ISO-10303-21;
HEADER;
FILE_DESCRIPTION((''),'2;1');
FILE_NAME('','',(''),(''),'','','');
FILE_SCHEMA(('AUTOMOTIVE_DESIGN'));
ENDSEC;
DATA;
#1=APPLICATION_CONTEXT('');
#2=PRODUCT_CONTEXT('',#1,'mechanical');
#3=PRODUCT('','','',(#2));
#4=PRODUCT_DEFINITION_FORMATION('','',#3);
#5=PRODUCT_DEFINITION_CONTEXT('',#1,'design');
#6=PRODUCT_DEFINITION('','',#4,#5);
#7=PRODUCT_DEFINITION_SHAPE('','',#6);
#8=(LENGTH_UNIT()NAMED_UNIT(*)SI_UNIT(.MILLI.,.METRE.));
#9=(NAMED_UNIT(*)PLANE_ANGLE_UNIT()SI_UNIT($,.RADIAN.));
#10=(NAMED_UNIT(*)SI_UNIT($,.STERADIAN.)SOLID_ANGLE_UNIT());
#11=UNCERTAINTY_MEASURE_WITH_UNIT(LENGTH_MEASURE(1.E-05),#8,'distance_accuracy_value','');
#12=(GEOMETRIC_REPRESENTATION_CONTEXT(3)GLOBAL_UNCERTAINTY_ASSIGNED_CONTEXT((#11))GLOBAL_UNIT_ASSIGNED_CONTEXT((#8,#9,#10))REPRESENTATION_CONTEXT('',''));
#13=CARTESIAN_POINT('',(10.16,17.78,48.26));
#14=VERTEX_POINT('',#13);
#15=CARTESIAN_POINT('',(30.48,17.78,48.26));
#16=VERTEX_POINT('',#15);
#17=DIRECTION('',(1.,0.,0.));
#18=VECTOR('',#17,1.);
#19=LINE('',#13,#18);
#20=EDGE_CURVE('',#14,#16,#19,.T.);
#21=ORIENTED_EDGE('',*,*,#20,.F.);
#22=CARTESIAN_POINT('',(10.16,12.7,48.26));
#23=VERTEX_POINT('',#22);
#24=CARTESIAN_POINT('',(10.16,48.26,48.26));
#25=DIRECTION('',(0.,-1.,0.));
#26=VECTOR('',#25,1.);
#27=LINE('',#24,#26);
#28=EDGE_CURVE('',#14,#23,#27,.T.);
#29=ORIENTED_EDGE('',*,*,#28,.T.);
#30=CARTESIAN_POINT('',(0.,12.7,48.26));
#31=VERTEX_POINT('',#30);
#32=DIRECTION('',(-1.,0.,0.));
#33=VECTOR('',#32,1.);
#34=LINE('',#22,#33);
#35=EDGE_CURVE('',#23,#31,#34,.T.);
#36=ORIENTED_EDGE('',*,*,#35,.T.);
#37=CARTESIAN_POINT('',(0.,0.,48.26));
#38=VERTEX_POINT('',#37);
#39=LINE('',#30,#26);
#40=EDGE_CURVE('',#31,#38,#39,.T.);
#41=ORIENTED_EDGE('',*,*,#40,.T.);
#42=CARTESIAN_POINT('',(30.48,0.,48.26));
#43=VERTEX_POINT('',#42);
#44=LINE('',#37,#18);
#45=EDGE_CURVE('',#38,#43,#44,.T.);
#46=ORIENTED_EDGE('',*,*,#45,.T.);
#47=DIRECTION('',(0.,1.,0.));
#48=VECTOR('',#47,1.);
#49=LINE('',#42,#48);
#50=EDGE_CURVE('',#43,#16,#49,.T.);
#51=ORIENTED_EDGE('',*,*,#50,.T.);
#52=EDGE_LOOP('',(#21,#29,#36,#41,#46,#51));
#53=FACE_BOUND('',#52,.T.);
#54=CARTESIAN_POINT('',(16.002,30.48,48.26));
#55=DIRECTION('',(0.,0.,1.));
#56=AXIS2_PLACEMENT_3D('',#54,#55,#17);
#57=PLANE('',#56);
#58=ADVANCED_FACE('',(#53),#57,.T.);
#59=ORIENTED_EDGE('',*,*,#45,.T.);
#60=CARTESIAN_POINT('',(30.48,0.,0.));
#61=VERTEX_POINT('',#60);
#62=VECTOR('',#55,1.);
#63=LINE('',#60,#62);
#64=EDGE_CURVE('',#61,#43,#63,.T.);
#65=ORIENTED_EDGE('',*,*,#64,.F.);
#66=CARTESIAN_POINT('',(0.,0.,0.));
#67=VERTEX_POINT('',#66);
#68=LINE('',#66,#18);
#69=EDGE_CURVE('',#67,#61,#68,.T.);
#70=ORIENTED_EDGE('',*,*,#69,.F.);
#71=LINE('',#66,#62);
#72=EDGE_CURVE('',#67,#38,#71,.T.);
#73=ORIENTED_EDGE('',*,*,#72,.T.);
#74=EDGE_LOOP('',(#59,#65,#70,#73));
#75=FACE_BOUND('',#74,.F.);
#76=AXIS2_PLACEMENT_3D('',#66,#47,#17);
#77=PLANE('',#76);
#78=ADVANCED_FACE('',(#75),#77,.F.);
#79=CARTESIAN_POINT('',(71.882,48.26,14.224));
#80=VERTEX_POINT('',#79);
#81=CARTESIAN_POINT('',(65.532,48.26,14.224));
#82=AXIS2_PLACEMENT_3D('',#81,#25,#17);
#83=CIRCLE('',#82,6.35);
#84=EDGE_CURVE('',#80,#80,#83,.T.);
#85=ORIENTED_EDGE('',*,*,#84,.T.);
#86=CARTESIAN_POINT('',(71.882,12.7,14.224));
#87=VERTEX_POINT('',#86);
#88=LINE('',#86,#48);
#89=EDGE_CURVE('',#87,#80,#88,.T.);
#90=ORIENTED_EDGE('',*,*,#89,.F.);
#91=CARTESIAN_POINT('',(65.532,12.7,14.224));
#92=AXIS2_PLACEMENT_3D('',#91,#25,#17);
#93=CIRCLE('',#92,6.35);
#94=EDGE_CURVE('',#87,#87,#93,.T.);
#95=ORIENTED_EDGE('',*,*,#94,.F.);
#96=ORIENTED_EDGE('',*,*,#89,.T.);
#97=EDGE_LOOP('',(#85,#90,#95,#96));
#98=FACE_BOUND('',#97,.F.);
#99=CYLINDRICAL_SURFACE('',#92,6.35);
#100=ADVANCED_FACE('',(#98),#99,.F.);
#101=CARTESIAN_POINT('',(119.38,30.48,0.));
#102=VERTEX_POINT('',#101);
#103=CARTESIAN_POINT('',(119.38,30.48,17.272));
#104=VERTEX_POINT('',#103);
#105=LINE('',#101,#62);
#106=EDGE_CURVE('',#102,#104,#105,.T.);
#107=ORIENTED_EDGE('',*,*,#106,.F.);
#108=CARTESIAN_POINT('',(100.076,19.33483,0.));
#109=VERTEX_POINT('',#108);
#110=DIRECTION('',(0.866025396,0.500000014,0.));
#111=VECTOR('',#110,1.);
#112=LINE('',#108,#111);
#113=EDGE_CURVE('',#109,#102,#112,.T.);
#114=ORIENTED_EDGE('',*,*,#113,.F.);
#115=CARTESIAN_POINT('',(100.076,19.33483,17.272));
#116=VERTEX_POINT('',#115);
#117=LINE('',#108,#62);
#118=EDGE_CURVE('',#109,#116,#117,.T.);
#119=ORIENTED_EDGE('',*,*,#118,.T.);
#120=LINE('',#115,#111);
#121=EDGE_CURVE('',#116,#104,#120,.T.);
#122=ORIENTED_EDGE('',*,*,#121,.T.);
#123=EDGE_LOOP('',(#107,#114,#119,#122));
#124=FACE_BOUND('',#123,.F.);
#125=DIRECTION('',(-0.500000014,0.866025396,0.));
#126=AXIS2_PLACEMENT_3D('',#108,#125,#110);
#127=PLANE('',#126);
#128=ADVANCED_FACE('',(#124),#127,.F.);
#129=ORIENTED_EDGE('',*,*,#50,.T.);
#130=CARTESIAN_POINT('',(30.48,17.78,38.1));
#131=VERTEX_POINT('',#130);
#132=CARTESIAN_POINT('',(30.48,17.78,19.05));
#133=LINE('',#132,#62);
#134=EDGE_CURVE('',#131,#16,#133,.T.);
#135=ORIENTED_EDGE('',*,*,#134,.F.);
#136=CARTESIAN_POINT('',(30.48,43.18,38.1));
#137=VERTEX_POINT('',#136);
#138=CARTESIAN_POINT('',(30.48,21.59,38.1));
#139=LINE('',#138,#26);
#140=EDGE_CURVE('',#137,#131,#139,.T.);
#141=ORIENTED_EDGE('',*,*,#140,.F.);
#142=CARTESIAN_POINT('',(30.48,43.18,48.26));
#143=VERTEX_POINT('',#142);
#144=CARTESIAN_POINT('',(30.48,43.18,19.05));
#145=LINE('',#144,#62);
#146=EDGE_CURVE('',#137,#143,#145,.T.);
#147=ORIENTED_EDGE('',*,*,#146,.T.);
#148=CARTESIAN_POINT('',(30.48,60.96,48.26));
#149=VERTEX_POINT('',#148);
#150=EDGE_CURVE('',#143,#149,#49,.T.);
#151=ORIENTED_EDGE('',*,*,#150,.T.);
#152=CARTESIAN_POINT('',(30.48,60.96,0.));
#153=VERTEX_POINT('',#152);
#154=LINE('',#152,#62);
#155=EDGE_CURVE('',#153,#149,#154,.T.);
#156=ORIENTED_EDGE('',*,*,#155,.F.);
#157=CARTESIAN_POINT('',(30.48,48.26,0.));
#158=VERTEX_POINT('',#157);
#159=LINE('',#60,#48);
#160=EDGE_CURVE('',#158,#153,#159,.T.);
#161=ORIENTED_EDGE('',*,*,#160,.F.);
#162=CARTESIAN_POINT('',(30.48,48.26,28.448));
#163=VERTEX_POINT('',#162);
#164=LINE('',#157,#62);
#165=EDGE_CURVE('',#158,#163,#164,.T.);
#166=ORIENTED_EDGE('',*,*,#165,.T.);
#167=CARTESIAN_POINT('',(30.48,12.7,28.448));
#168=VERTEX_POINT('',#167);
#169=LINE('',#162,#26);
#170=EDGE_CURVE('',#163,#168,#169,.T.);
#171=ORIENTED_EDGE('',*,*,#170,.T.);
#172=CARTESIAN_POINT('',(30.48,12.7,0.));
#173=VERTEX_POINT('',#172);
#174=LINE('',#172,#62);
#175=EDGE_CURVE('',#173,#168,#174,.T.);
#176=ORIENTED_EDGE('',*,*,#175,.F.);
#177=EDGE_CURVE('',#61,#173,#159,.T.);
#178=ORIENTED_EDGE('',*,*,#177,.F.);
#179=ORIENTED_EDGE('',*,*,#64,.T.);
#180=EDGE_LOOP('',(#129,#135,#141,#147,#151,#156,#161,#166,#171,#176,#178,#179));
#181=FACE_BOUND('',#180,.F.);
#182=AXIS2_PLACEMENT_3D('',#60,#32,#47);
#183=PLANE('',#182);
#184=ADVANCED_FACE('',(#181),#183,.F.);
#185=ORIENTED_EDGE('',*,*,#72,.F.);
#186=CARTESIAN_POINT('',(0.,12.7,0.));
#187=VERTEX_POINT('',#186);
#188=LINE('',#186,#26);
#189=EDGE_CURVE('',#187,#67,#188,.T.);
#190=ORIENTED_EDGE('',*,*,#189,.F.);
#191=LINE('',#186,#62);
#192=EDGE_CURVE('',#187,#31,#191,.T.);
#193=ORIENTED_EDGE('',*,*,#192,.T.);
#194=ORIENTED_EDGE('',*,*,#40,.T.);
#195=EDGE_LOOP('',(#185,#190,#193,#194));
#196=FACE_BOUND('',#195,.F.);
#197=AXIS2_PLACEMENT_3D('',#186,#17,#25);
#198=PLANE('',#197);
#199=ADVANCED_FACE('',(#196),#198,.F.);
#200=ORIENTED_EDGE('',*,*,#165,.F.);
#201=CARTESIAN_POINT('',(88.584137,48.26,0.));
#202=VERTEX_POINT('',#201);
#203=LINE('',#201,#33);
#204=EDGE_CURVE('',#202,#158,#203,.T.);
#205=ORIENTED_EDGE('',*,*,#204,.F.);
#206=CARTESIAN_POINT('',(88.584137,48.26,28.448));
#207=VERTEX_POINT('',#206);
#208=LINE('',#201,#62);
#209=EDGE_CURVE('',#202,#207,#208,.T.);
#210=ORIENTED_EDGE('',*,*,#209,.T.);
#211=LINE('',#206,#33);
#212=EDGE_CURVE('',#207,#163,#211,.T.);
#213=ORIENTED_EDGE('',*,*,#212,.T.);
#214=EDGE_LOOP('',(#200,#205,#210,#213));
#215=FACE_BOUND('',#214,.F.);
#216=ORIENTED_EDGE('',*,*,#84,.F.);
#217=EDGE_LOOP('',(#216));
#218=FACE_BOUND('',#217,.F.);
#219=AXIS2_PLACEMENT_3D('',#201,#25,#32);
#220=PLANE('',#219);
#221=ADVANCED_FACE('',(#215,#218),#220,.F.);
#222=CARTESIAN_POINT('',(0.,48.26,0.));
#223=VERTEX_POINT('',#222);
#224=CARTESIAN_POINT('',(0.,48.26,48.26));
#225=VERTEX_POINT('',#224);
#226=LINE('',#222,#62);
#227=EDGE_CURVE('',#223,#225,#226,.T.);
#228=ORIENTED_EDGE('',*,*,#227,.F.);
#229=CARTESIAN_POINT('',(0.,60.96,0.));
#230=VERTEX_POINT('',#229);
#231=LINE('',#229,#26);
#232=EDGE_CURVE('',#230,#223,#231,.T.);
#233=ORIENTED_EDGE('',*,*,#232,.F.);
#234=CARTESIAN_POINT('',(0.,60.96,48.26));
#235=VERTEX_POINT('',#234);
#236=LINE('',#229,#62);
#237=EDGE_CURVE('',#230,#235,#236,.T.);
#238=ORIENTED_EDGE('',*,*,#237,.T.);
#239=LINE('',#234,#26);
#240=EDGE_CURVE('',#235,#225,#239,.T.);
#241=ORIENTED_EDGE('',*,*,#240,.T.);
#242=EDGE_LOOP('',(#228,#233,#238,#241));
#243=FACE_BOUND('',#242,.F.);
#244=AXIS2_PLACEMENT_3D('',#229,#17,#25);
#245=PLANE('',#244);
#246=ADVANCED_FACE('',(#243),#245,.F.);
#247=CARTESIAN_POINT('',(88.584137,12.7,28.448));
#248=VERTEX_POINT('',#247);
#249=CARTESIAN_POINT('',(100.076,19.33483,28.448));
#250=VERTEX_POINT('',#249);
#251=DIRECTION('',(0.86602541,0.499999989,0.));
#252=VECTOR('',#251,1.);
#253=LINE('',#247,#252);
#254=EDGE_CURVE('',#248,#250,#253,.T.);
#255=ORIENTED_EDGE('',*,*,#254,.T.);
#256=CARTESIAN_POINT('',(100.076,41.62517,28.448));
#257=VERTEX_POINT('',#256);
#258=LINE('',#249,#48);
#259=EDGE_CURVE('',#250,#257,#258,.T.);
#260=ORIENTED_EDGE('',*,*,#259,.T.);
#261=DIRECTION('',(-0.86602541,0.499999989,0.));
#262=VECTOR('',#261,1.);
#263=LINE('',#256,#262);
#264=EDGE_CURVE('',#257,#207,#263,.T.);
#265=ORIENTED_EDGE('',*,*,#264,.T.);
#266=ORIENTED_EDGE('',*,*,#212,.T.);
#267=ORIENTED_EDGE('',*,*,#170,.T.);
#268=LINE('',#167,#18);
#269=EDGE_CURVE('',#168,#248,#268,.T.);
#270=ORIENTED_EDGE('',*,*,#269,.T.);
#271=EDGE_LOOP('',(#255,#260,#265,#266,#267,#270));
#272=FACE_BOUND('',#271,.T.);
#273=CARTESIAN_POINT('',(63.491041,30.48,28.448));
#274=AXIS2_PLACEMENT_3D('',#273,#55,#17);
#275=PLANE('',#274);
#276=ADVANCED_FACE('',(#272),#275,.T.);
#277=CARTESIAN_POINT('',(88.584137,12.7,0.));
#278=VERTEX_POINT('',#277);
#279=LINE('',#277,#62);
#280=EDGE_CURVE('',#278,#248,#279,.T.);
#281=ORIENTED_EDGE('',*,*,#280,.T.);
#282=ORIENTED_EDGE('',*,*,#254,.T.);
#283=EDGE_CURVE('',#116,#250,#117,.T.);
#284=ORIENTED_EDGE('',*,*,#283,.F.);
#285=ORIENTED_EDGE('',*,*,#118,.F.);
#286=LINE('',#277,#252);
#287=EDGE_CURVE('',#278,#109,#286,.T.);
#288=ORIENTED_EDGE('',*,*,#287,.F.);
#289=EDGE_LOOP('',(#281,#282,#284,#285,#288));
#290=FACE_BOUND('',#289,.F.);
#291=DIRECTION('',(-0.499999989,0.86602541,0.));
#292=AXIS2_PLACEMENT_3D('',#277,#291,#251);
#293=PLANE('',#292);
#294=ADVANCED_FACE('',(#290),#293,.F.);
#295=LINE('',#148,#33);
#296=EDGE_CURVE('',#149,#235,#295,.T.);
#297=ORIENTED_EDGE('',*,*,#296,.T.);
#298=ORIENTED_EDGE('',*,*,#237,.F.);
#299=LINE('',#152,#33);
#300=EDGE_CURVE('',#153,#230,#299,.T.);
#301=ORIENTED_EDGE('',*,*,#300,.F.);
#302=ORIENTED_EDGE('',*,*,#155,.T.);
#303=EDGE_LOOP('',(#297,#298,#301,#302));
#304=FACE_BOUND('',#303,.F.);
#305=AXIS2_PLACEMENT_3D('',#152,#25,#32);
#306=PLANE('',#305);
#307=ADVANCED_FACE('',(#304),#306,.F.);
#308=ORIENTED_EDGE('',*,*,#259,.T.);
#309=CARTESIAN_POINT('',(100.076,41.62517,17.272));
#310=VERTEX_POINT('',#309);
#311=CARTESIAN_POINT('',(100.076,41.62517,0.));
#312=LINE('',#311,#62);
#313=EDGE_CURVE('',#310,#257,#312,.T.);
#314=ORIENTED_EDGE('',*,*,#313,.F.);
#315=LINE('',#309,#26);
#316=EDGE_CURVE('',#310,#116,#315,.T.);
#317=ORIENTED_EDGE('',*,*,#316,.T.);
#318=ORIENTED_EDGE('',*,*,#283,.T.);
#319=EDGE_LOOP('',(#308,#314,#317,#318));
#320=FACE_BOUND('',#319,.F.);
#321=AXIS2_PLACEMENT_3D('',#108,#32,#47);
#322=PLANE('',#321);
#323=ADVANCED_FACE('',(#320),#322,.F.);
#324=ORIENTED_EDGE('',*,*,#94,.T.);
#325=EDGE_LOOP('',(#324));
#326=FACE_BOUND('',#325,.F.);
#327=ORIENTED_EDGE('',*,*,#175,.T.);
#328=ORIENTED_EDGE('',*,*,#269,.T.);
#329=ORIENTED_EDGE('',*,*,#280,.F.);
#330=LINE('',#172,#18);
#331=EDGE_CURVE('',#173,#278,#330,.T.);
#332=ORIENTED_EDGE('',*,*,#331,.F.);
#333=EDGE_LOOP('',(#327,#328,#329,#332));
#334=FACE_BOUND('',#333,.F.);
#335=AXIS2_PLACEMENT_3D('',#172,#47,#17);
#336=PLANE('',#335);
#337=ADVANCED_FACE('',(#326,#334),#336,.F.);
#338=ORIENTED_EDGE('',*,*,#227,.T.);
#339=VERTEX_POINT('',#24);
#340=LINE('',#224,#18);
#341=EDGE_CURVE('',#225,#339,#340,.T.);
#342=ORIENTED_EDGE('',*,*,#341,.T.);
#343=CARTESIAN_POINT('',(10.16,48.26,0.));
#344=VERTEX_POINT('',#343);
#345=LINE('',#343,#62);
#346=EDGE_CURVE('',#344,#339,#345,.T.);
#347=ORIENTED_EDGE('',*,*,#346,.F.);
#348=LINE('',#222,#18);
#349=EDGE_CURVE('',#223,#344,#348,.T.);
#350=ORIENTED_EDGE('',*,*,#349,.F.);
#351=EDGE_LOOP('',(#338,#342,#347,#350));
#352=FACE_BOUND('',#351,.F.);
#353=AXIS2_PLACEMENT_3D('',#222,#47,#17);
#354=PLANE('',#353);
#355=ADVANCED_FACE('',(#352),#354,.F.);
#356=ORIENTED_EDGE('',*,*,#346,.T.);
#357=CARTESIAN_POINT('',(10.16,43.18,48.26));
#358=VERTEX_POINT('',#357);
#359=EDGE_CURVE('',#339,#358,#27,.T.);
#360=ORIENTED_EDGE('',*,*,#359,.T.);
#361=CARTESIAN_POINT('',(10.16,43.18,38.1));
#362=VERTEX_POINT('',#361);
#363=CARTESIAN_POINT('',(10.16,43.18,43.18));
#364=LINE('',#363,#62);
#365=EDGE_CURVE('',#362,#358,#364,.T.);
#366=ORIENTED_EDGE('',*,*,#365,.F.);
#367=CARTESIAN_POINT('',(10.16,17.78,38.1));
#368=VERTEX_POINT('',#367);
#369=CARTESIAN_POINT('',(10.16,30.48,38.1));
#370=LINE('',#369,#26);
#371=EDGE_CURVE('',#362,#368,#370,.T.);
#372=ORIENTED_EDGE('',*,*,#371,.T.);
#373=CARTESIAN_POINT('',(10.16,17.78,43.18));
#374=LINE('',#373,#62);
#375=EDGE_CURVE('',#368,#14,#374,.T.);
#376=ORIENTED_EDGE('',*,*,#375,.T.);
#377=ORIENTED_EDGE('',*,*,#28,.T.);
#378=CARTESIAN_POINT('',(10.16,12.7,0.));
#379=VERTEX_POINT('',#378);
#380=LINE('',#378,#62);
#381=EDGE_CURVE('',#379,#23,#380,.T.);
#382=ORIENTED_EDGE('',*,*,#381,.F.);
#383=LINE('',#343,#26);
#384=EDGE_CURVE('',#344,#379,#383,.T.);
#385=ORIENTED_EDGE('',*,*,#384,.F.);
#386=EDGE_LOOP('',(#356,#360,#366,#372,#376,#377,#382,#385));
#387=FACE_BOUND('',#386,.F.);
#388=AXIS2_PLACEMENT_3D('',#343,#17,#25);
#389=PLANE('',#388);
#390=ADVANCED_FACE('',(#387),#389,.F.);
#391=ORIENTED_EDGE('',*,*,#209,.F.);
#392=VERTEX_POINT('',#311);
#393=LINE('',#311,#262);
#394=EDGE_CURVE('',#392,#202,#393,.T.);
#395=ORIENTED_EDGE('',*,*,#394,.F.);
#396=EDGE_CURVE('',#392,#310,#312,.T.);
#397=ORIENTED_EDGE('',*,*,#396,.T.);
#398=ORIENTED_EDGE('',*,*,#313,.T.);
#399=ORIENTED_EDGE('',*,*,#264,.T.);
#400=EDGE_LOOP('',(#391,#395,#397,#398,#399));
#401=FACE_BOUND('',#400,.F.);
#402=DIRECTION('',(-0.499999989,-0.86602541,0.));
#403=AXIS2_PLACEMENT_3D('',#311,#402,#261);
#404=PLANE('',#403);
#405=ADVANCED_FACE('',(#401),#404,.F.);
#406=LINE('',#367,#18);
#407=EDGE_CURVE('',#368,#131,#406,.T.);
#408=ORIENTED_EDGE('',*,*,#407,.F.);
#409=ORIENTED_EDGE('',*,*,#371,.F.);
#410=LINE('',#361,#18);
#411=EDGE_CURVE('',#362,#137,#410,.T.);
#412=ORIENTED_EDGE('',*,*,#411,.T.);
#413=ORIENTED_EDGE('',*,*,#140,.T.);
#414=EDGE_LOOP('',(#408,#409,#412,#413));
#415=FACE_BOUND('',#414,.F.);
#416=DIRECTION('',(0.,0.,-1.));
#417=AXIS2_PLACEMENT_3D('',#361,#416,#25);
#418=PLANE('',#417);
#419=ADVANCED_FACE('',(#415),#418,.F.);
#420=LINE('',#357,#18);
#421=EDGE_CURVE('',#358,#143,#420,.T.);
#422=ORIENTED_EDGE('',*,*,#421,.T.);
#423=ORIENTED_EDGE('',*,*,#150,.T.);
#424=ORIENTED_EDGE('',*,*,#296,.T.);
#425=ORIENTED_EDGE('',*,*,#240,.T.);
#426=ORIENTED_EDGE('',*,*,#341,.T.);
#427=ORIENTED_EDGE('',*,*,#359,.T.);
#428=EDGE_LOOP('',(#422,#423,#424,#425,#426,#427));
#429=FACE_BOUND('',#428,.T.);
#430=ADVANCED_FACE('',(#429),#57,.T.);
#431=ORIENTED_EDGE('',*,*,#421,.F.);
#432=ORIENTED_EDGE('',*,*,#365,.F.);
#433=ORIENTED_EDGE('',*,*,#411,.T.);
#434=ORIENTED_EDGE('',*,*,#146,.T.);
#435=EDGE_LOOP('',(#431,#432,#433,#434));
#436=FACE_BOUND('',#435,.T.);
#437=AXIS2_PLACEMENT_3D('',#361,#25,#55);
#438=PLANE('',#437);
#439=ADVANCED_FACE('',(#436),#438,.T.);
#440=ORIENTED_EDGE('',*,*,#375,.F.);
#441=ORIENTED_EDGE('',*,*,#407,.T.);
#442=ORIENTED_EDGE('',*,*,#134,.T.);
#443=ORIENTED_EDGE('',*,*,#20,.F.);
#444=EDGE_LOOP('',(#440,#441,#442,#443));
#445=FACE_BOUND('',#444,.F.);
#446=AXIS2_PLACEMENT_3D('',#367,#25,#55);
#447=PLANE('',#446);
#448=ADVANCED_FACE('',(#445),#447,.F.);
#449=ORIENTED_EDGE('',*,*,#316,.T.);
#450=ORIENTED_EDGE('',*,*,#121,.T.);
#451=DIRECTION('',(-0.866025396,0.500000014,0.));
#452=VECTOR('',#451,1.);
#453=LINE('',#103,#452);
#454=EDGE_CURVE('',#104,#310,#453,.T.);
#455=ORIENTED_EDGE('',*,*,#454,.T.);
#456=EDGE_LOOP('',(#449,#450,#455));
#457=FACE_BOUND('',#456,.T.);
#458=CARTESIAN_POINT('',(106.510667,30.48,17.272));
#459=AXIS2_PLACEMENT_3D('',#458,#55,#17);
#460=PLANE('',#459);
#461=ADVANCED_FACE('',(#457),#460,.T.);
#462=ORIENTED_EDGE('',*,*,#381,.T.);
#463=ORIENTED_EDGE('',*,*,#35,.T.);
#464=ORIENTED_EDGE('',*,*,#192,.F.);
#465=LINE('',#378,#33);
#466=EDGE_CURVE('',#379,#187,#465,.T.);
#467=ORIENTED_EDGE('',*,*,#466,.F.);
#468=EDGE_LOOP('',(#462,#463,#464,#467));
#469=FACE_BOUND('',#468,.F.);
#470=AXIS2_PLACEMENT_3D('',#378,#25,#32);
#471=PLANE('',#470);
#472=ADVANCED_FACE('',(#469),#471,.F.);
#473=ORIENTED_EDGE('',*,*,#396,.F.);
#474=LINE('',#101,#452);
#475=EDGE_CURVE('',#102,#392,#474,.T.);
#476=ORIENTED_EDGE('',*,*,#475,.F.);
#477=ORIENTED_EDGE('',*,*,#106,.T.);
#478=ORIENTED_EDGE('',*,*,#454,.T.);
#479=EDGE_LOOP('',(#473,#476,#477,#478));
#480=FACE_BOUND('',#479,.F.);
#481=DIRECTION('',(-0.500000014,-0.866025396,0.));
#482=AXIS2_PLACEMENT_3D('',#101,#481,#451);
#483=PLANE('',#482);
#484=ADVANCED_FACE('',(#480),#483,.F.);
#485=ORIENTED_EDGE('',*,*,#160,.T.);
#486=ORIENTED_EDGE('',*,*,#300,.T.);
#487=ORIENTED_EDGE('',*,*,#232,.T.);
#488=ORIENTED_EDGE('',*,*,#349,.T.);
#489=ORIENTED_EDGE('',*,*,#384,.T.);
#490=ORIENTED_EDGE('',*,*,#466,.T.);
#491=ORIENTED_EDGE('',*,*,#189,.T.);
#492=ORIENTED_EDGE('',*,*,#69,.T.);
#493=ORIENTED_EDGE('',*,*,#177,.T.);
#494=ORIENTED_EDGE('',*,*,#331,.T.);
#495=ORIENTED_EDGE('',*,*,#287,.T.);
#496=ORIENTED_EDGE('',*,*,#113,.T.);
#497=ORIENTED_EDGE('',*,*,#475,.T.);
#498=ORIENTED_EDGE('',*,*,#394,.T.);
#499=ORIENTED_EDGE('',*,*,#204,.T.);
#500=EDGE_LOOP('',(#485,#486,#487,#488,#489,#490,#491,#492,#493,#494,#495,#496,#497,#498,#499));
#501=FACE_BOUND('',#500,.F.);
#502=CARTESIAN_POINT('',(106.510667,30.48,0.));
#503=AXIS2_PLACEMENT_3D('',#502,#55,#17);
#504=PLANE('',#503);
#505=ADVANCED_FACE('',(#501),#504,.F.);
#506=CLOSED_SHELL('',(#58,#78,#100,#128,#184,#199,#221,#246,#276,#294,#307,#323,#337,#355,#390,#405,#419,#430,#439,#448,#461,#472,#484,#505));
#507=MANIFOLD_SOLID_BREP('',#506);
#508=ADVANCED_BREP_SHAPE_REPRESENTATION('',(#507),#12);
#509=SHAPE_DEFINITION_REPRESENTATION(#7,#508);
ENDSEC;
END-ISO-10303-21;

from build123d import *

# Parameters (mm, degrees)
F1_DEPTH = 48.26
F2_DEPTH = 28.448
F3_DEPTH = 17.272
F4_W     = 25.4
F4_H     = 10.16
F5_DEPTH = 25.4
F6_R     = 6.35
F7_DEPTH = 46.482


with BuildPart() as f1:
    # F0 (on Top) → F1 (new body)
    with BuildSketch(Plane.XY):
        Polygon((0, 12.7), (0, 0), (30.48, 0), (30.48, 12.7), (30.48, 48.26), (30.48, 60.96), (0, 60.96), (0, 48.26), (10.16, 48.26), (10.16, 12.7), align=None)
    extrude(amount=F1_DEPTH)

    # F0 (on Top) → F2 (join)
    with BuildSketch(Plane.XY):
        Polygon((30.48, 48.26), (30.48, 12.7), (88.584137, 12.7), (100.076, 19.33483), (100.076, 41.62517), (88.584137, 48.26), align=None)
    extrude(amount=F2_DEPTH)

    # F0 (on Top) → F3 (join)
    with BuildSketch(Plane.XY):
        Polygon((100.076, 41.62517), (100.076, 19.33483), (119.38, 30.48), align=None)
    extrude(amount=F3_DEPTH)

    # F4 (on face) → F5 (cut)
    with BuildSketch(Plane(origin=(10.16, 0, 0), x_dir=(0, -1, 0), z_dir=(-1, 0, 0))):
        with Locations((-30.48, 43.18)):
            Rectangle(F4_W, F4_H)
    extrude(amount=-F5_DEPTH, mode=Mode.SUBTRACT)

    # F6 (on face) → F7 (cut)
    with BuildSketch(Plane.XZ.offset(-12.7)):
        with Locations((65.532, 14.224)):
            Circle(F6_R)
    extrude(amount=-F7_DEPTH, mode=Mode.SUBTRACT)


solid = f1.part
